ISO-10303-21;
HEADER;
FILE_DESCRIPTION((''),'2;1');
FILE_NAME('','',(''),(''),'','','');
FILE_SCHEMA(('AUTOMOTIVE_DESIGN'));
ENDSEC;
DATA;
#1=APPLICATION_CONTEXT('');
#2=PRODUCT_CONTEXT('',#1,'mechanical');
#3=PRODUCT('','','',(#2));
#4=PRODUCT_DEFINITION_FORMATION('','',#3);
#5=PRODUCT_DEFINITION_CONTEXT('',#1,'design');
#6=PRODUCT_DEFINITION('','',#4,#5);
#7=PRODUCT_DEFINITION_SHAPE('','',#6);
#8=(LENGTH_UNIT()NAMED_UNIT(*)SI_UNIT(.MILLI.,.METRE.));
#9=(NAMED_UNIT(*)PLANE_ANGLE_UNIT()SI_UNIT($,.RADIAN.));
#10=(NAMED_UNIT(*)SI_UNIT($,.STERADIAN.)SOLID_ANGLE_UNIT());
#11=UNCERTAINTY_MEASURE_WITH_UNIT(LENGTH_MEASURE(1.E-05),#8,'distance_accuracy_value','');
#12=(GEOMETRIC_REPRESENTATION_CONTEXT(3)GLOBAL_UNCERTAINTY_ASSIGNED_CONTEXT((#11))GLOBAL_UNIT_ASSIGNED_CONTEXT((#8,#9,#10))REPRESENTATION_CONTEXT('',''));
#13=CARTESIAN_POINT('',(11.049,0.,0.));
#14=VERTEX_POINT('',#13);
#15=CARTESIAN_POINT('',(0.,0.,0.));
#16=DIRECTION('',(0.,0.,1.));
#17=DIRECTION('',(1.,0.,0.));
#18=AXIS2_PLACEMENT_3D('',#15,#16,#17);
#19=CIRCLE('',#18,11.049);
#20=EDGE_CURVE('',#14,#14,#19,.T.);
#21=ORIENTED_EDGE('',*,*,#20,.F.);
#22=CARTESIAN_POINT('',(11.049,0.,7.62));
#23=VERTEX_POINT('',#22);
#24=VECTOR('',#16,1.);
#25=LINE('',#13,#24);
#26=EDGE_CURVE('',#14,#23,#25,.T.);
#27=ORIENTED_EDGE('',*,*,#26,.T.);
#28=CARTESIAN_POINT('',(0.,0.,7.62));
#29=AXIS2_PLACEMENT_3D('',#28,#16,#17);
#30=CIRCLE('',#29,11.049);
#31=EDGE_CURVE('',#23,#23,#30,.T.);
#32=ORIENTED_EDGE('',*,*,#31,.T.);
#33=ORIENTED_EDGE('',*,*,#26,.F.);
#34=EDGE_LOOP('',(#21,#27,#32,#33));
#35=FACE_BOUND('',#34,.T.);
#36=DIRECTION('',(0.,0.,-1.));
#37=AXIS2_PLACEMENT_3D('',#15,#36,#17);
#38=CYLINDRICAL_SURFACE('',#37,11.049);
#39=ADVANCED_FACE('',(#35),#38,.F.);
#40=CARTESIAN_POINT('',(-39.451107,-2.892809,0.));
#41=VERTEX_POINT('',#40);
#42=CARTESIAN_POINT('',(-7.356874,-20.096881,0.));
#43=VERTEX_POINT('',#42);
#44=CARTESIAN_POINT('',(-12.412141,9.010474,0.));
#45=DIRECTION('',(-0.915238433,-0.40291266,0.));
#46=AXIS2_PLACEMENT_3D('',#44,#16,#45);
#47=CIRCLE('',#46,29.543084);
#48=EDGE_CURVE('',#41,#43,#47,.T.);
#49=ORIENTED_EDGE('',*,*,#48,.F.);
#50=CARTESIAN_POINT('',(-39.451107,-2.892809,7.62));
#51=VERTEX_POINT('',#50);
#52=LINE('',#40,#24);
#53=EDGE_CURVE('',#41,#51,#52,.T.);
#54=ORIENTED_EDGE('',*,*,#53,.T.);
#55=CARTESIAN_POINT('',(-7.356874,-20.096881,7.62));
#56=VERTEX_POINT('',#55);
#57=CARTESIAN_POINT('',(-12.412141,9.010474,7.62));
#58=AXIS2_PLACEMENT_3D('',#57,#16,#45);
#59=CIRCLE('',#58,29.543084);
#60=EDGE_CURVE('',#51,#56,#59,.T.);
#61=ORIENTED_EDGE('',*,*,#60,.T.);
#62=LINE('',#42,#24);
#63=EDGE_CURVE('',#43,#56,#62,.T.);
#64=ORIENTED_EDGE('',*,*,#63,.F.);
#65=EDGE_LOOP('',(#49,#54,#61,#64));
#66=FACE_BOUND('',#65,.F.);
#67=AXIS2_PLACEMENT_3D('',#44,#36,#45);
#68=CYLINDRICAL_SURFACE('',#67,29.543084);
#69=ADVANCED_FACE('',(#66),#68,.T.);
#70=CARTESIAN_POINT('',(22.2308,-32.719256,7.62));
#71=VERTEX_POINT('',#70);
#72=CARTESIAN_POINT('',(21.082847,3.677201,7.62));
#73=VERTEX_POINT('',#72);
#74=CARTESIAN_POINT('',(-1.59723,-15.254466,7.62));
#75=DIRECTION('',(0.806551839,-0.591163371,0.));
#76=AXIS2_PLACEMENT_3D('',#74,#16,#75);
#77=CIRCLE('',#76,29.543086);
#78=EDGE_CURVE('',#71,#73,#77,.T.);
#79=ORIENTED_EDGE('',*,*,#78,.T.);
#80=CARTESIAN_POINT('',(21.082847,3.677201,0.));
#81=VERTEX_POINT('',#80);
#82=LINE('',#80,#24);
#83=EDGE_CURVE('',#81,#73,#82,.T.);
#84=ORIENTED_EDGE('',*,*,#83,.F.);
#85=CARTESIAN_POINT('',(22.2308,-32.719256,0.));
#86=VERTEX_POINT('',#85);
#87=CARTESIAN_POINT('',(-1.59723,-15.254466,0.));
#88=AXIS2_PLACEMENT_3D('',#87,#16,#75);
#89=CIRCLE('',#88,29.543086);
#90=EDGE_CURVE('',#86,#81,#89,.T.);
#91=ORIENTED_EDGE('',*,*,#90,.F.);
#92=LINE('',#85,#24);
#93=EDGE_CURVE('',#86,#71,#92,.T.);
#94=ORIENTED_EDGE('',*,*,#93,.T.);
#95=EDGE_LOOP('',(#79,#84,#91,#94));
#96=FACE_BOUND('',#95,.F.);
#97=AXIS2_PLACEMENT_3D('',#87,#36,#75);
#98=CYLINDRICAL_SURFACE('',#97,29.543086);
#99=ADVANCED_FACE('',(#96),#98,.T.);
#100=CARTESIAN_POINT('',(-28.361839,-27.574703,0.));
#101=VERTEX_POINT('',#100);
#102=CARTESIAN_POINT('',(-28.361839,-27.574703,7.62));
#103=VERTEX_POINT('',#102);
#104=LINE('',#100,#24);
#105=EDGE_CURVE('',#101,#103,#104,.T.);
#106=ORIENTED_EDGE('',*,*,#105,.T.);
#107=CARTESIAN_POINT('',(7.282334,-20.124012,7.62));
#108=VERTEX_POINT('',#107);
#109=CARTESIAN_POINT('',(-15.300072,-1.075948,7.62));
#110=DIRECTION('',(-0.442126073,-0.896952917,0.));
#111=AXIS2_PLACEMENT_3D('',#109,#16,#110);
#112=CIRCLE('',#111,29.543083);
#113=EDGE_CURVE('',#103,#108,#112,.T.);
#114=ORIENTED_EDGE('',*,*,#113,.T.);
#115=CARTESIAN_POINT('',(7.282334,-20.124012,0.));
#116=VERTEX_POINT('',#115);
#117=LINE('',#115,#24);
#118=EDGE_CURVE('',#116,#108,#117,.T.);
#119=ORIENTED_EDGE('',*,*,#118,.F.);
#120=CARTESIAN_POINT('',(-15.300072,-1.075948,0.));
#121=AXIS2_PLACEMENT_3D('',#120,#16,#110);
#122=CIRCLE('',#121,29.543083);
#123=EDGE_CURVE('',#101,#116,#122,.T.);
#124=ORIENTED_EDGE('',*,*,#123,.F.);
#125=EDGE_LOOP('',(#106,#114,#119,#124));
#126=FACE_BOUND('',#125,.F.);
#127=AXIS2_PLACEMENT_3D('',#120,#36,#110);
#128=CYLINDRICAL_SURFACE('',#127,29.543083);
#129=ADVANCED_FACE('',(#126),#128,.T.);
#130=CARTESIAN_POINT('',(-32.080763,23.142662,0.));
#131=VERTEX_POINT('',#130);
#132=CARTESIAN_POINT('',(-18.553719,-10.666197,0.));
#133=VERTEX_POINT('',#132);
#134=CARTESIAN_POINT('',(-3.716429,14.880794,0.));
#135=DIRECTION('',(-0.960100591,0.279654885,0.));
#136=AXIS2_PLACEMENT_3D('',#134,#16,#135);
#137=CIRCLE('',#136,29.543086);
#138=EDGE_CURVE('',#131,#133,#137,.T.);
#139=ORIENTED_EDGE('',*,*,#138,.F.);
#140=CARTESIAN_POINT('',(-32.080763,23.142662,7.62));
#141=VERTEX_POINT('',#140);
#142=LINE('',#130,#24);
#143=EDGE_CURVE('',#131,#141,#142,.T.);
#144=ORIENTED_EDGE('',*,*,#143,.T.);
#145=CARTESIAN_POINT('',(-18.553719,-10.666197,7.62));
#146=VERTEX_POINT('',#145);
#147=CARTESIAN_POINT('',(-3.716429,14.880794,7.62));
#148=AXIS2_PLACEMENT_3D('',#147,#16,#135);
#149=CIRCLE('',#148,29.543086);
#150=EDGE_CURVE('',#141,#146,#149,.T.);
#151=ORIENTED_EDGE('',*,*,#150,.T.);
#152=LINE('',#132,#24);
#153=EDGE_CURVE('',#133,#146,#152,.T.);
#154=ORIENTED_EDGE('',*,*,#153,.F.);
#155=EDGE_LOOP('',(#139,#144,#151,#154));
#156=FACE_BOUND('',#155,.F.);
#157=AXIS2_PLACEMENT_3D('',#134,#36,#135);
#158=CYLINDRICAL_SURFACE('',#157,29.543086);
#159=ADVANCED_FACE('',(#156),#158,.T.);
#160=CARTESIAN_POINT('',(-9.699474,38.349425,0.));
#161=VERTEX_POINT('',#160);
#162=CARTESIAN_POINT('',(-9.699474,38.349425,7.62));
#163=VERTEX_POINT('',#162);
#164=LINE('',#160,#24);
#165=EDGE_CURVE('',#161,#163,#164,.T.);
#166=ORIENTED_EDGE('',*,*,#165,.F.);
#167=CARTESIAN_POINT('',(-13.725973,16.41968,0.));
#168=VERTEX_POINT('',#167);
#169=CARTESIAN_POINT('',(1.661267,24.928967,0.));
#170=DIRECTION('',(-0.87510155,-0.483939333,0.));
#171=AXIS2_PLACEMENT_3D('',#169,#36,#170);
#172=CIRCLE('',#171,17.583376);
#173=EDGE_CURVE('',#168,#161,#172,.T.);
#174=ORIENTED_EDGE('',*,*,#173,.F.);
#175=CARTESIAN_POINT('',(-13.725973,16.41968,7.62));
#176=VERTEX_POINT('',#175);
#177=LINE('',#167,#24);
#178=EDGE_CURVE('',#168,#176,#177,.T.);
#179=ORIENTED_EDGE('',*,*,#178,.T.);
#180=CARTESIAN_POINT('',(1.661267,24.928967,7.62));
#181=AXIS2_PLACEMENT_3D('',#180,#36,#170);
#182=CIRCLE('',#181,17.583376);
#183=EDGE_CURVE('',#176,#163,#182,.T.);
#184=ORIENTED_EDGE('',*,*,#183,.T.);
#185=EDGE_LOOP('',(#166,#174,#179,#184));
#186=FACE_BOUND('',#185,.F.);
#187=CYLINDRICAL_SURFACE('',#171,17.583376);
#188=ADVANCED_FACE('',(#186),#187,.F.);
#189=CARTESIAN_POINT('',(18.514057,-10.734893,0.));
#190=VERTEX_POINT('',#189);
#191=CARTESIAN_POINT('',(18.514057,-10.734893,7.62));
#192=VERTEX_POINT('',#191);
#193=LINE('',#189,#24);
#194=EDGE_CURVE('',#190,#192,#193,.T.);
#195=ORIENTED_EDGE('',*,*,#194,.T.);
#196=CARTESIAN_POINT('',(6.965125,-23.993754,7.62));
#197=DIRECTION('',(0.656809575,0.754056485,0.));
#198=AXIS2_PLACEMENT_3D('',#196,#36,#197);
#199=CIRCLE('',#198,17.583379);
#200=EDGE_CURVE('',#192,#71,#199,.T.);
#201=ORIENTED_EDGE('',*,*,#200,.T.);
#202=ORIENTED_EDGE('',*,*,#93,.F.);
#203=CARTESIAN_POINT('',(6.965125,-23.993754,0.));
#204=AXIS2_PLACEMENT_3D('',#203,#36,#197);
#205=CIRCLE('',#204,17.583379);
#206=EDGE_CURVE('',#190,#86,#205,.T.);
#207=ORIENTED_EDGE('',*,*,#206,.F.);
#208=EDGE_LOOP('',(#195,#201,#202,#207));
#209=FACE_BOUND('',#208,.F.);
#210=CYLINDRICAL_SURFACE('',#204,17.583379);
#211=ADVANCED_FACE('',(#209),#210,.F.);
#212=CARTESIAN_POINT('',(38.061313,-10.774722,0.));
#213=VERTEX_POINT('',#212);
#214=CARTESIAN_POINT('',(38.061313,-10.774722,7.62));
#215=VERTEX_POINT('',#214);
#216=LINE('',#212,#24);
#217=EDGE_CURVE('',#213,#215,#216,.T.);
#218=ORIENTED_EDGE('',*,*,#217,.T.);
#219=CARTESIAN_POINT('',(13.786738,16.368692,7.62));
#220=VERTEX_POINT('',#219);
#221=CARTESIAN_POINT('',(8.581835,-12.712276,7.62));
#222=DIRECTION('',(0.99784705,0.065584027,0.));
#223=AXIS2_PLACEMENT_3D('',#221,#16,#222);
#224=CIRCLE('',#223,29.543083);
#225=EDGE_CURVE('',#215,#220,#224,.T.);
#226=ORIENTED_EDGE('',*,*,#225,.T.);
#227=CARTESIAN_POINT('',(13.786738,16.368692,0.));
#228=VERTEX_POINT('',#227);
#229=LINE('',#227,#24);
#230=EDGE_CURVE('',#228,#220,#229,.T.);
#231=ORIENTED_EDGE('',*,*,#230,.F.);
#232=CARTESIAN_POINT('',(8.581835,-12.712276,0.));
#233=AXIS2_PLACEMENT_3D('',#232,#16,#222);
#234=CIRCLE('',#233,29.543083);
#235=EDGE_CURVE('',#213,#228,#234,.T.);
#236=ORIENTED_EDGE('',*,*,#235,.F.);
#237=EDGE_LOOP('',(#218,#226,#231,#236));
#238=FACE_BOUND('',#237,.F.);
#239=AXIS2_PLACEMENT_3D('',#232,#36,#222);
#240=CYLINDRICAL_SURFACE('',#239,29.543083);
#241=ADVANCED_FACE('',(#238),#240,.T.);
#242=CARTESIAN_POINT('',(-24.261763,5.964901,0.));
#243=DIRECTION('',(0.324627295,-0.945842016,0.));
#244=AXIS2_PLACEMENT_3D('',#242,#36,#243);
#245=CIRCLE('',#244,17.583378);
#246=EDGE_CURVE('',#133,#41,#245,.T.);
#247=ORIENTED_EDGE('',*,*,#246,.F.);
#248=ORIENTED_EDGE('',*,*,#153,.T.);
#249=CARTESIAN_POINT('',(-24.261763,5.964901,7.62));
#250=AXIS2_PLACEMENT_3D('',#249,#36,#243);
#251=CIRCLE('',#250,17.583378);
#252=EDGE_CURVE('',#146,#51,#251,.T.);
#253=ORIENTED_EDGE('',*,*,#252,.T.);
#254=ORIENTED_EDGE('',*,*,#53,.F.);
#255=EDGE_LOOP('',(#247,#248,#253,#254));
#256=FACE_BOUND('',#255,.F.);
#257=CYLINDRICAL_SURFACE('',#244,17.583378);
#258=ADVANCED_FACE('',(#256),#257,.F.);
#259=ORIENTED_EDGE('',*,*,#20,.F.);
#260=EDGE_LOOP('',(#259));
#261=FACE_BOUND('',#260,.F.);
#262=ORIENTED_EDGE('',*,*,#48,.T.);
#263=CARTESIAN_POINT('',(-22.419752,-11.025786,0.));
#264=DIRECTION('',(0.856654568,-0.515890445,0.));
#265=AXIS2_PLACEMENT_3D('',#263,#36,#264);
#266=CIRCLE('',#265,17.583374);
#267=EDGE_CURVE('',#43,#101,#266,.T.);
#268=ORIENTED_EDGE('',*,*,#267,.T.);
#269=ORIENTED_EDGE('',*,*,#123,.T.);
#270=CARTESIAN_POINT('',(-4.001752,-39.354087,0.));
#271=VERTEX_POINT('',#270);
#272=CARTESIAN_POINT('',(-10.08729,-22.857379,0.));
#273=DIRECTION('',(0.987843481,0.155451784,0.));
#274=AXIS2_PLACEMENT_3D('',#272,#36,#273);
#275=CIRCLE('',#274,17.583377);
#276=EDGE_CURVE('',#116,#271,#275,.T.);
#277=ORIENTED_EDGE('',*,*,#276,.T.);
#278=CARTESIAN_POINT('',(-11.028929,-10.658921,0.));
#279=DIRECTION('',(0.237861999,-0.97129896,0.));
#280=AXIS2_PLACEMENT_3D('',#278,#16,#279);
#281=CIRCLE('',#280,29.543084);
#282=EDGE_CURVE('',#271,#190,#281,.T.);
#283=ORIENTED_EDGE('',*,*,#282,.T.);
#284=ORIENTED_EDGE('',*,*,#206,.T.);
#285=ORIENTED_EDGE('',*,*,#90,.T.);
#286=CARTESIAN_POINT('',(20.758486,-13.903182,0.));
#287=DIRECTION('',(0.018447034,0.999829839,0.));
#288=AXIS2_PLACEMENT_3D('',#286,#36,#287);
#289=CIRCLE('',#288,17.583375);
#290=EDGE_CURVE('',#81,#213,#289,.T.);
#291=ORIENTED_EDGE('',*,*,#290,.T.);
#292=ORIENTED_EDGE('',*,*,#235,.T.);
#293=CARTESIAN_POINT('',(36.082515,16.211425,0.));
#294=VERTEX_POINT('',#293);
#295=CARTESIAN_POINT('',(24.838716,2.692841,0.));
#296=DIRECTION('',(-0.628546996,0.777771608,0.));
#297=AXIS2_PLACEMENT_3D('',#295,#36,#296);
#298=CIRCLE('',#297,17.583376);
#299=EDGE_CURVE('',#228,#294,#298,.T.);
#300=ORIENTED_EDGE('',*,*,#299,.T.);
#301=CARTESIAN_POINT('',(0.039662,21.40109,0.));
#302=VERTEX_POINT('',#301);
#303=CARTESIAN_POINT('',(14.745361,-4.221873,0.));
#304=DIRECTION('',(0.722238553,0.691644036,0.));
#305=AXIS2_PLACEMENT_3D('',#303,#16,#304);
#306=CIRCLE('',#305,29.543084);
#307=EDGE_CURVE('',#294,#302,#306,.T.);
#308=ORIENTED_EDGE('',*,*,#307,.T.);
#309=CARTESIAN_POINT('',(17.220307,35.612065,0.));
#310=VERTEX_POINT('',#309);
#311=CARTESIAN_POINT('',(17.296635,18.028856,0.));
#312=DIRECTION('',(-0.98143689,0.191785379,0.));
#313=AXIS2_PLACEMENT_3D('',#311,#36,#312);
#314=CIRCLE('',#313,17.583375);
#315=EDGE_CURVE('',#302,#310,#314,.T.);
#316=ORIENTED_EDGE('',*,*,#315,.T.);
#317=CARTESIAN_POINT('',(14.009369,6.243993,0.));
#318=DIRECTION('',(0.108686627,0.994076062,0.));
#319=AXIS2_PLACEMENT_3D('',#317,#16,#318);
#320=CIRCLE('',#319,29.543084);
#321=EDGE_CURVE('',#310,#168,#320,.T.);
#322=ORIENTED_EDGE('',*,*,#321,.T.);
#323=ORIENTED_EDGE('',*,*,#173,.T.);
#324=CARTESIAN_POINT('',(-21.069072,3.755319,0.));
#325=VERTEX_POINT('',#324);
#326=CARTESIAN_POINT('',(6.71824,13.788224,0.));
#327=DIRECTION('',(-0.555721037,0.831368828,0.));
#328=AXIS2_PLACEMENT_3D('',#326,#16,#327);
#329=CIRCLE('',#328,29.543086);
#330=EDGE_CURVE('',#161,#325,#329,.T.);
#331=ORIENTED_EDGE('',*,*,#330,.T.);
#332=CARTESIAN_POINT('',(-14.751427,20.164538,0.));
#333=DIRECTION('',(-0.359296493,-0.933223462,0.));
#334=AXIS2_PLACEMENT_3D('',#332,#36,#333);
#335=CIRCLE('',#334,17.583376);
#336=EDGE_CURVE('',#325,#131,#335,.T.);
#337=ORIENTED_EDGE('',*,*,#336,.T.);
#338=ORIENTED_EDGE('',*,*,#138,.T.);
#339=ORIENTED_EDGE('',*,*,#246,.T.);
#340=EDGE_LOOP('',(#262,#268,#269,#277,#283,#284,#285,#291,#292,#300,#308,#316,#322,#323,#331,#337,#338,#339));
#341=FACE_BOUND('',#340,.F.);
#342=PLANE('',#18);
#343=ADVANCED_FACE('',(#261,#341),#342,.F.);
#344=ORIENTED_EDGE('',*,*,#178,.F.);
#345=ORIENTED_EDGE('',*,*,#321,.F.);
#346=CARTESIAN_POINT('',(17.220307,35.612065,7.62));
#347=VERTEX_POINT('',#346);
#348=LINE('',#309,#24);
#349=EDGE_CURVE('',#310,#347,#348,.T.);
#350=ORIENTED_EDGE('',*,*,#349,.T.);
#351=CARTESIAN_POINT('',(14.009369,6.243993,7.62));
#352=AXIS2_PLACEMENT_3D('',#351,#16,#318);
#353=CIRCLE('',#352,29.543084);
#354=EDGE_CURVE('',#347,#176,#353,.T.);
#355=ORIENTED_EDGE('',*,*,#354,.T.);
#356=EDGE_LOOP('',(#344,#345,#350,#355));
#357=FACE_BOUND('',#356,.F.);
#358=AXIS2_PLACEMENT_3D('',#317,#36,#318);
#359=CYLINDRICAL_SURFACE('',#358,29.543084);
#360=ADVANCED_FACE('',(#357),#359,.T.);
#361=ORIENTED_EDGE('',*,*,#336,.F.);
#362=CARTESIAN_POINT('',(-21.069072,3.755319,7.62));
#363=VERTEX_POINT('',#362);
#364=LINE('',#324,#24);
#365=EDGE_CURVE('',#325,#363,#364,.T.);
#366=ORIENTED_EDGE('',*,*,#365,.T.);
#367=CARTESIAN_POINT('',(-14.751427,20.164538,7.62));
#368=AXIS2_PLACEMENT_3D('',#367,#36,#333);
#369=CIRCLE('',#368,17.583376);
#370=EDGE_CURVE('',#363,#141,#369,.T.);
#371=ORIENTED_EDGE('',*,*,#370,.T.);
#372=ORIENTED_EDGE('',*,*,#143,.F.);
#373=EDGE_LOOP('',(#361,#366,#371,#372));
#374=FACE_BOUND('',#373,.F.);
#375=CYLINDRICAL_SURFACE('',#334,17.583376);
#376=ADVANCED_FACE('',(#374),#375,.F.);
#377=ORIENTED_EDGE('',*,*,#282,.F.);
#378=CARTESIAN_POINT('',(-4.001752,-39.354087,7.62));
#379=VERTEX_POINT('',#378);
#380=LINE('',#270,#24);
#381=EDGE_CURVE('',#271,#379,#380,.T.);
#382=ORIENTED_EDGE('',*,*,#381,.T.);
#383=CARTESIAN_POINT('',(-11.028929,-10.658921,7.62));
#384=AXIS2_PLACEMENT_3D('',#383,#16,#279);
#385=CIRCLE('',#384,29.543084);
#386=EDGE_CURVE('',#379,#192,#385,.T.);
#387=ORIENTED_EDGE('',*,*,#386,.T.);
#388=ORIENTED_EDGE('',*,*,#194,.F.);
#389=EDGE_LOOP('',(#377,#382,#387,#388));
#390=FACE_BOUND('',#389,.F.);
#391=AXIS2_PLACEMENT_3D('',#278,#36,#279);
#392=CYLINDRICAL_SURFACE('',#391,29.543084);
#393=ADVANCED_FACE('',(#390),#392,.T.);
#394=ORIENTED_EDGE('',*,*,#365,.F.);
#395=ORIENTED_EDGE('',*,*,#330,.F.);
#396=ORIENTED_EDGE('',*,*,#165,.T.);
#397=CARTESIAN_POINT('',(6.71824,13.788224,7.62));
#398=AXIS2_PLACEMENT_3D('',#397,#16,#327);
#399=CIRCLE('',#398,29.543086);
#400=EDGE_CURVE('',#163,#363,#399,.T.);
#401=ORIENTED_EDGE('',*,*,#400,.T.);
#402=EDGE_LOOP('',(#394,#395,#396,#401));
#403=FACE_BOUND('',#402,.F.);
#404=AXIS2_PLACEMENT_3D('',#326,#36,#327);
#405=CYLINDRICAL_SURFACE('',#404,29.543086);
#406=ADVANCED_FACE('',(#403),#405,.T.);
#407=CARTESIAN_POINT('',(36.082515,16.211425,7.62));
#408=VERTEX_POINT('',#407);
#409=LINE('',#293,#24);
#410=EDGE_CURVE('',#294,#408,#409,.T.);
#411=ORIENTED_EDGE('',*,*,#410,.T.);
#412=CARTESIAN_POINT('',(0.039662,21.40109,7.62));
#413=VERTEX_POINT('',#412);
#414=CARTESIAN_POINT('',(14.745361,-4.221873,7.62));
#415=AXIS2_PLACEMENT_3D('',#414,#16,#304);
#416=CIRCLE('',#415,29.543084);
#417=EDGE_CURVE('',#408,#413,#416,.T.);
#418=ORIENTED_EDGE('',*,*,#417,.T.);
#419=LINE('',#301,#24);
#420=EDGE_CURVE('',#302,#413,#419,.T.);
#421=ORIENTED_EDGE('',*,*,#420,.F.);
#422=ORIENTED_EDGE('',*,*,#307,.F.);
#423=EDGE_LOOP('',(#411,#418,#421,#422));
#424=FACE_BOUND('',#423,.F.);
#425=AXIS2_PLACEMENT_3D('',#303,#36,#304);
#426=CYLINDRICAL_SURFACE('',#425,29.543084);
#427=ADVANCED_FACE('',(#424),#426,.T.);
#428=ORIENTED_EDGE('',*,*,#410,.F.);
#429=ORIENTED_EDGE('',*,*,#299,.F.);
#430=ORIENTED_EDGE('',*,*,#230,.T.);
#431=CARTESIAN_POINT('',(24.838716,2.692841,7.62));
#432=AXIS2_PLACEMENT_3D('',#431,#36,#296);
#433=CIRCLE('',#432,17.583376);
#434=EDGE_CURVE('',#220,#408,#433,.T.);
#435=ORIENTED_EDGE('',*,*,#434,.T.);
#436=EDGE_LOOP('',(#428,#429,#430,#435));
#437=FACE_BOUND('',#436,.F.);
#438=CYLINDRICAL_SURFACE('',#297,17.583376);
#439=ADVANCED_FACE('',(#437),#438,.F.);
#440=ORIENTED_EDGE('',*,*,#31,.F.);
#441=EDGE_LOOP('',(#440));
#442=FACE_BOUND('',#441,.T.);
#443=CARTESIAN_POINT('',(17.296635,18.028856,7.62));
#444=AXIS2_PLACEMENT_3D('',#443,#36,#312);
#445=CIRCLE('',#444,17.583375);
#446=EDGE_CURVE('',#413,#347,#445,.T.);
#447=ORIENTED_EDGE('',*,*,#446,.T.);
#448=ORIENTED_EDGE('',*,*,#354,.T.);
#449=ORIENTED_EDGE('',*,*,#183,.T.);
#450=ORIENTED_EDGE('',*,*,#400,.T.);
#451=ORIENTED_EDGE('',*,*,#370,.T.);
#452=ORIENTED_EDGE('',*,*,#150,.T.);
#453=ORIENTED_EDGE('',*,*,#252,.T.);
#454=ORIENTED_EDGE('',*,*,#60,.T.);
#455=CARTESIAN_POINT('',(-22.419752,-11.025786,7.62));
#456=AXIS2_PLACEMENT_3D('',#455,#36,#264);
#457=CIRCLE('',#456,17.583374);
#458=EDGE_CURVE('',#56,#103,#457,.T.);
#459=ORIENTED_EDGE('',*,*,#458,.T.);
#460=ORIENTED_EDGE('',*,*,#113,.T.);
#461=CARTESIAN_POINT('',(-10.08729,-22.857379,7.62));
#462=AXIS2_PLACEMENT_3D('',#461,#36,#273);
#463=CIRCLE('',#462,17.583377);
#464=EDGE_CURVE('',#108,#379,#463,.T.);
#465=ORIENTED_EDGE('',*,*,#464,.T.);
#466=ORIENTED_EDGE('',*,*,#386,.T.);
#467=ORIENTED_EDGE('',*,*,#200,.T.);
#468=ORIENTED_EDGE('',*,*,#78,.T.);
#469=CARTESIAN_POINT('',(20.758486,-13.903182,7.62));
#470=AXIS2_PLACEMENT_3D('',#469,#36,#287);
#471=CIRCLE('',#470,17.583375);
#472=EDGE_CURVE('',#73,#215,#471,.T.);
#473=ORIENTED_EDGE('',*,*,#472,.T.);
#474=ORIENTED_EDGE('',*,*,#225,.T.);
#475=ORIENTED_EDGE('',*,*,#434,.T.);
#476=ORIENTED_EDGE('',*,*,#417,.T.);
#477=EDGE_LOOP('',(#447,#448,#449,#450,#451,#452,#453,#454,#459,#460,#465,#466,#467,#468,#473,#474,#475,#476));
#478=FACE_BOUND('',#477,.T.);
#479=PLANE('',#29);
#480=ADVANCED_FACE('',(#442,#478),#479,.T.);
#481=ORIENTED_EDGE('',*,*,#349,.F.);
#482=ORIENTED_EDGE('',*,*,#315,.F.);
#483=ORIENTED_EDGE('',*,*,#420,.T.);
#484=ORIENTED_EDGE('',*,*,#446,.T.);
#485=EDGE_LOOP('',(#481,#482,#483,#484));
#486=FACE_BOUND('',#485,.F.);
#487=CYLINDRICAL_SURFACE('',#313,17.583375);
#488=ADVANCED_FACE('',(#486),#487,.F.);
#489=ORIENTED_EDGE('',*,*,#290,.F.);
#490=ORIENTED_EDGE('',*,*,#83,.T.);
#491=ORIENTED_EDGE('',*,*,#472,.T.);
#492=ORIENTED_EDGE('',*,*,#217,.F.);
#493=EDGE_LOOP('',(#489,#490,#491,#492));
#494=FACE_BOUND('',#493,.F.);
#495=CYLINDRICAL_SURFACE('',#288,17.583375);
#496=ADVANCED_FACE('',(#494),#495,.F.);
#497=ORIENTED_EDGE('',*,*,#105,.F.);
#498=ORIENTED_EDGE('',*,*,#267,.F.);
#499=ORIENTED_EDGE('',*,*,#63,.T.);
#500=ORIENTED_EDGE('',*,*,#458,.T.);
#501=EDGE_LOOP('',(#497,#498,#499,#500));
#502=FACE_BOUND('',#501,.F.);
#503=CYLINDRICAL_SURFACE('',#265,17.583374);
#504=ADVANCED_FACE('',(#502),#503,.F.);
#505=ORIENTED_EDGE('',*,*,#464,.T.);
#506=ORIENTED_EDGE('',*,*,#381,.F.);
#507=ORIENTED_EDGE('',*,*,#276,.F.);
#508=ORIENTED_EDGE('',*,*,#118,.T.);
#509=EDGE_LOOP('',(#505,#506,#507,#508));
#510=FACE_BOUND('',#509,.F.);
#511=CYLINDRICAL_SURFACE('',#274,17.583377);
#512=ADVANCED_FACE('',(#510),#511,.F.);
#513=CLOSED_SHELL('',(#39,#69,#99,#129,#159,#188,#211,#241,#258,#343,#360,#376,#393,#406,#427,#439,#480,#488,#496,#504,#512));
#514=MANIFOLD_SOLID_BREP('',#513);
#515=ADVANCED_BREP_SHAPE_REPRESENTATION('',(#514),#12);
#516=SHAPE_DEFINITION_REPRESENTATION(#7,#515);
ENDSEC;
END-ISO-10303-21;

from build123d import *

# Parameters (mm, degrees)
F0_R     = 11.049
F1_DEPTH = 7.62


with BuildPart() as f1:
    # F0 (on Top) → F1 (new body)
    with BuildSketch(Plane.XY):
        with BuildLine():
            ThreePointArc((0.039662, 21.40109), (6.089549, 31.577889), (17.220307, 35.612065))
            ThreePointArc((17.220307, 35.612065), (-1.561389, 31.350671), (-13.725973, 16.41968))
            ThreePointArc((-13.725973, 16.41968), (-15.633011, 28.104353), (-9.699474, 38.349425))
            ThreePointArc((-9.699474, 38.349425), (-21.347916, 23.012366), (-21.069072, 3.755319))
            ThreePointArc((-21.069072, 3.755319), (-30.040711, 11.480478), (-32.080763, 23.142662))
            ThreePointArc((-32.080763, 23.142662), (-31.145516, 3.906319), (-18.553719, -10.666197))
            ThreePointArc((-18.553719, -10.666197), (-30.392028, -10.51524), (-39.451107, -2.892809))
            ThreePointArc((-39.451107, -2.892809), (-26.369783, -17.027538), (-7.356874, -20.096881))
            ThreePointArc((-7.356874, -20.096881), (-16.522578, -27.590761), (-28.361839, -27.574703))
            ThreePointArc((-28.361839, -27.574703), (-9.255335, -29.994021), (7.282334, -20.124012))
            ThreePointArc((7.282334, -20.124012), (5.07797, -31.756257), (-4.001752, -39.354087))
            ThreePointArc((-4.001752, -39.354087), (12.189787, -28.925968), (18.514057, -10.734893))
            ThreePointArc((18.514057, -10.734893), (24.302479, -21.062648), (22.2308, -32.719256))
            ThreePointArc((22.2308, -32.719256), (27.931172, -14.323133), (21.082847, 3.677201))
            ThreePointArc((21.082847, 3.677201), (32.155589, -0.513592), (38.061313, -10.774722))
            ThreePointArc((38.061313, -10.774722), (30.603252, 6.981655), (13.786738, 16.368692))
            ThreePointArc((13.786738, 16.368692), (24.962741, 20.27578), (36.082515, 16.211425))
            ThreePointArc((36.082515, 16.211425), (18.95573, 25.019649), (0.039662, 21.40109))
        make_face()
        Circle(F0_R, mode=Mode.SUBTRACT)
    extrude(amount=F1_DEPTH)


solid = f1.part
